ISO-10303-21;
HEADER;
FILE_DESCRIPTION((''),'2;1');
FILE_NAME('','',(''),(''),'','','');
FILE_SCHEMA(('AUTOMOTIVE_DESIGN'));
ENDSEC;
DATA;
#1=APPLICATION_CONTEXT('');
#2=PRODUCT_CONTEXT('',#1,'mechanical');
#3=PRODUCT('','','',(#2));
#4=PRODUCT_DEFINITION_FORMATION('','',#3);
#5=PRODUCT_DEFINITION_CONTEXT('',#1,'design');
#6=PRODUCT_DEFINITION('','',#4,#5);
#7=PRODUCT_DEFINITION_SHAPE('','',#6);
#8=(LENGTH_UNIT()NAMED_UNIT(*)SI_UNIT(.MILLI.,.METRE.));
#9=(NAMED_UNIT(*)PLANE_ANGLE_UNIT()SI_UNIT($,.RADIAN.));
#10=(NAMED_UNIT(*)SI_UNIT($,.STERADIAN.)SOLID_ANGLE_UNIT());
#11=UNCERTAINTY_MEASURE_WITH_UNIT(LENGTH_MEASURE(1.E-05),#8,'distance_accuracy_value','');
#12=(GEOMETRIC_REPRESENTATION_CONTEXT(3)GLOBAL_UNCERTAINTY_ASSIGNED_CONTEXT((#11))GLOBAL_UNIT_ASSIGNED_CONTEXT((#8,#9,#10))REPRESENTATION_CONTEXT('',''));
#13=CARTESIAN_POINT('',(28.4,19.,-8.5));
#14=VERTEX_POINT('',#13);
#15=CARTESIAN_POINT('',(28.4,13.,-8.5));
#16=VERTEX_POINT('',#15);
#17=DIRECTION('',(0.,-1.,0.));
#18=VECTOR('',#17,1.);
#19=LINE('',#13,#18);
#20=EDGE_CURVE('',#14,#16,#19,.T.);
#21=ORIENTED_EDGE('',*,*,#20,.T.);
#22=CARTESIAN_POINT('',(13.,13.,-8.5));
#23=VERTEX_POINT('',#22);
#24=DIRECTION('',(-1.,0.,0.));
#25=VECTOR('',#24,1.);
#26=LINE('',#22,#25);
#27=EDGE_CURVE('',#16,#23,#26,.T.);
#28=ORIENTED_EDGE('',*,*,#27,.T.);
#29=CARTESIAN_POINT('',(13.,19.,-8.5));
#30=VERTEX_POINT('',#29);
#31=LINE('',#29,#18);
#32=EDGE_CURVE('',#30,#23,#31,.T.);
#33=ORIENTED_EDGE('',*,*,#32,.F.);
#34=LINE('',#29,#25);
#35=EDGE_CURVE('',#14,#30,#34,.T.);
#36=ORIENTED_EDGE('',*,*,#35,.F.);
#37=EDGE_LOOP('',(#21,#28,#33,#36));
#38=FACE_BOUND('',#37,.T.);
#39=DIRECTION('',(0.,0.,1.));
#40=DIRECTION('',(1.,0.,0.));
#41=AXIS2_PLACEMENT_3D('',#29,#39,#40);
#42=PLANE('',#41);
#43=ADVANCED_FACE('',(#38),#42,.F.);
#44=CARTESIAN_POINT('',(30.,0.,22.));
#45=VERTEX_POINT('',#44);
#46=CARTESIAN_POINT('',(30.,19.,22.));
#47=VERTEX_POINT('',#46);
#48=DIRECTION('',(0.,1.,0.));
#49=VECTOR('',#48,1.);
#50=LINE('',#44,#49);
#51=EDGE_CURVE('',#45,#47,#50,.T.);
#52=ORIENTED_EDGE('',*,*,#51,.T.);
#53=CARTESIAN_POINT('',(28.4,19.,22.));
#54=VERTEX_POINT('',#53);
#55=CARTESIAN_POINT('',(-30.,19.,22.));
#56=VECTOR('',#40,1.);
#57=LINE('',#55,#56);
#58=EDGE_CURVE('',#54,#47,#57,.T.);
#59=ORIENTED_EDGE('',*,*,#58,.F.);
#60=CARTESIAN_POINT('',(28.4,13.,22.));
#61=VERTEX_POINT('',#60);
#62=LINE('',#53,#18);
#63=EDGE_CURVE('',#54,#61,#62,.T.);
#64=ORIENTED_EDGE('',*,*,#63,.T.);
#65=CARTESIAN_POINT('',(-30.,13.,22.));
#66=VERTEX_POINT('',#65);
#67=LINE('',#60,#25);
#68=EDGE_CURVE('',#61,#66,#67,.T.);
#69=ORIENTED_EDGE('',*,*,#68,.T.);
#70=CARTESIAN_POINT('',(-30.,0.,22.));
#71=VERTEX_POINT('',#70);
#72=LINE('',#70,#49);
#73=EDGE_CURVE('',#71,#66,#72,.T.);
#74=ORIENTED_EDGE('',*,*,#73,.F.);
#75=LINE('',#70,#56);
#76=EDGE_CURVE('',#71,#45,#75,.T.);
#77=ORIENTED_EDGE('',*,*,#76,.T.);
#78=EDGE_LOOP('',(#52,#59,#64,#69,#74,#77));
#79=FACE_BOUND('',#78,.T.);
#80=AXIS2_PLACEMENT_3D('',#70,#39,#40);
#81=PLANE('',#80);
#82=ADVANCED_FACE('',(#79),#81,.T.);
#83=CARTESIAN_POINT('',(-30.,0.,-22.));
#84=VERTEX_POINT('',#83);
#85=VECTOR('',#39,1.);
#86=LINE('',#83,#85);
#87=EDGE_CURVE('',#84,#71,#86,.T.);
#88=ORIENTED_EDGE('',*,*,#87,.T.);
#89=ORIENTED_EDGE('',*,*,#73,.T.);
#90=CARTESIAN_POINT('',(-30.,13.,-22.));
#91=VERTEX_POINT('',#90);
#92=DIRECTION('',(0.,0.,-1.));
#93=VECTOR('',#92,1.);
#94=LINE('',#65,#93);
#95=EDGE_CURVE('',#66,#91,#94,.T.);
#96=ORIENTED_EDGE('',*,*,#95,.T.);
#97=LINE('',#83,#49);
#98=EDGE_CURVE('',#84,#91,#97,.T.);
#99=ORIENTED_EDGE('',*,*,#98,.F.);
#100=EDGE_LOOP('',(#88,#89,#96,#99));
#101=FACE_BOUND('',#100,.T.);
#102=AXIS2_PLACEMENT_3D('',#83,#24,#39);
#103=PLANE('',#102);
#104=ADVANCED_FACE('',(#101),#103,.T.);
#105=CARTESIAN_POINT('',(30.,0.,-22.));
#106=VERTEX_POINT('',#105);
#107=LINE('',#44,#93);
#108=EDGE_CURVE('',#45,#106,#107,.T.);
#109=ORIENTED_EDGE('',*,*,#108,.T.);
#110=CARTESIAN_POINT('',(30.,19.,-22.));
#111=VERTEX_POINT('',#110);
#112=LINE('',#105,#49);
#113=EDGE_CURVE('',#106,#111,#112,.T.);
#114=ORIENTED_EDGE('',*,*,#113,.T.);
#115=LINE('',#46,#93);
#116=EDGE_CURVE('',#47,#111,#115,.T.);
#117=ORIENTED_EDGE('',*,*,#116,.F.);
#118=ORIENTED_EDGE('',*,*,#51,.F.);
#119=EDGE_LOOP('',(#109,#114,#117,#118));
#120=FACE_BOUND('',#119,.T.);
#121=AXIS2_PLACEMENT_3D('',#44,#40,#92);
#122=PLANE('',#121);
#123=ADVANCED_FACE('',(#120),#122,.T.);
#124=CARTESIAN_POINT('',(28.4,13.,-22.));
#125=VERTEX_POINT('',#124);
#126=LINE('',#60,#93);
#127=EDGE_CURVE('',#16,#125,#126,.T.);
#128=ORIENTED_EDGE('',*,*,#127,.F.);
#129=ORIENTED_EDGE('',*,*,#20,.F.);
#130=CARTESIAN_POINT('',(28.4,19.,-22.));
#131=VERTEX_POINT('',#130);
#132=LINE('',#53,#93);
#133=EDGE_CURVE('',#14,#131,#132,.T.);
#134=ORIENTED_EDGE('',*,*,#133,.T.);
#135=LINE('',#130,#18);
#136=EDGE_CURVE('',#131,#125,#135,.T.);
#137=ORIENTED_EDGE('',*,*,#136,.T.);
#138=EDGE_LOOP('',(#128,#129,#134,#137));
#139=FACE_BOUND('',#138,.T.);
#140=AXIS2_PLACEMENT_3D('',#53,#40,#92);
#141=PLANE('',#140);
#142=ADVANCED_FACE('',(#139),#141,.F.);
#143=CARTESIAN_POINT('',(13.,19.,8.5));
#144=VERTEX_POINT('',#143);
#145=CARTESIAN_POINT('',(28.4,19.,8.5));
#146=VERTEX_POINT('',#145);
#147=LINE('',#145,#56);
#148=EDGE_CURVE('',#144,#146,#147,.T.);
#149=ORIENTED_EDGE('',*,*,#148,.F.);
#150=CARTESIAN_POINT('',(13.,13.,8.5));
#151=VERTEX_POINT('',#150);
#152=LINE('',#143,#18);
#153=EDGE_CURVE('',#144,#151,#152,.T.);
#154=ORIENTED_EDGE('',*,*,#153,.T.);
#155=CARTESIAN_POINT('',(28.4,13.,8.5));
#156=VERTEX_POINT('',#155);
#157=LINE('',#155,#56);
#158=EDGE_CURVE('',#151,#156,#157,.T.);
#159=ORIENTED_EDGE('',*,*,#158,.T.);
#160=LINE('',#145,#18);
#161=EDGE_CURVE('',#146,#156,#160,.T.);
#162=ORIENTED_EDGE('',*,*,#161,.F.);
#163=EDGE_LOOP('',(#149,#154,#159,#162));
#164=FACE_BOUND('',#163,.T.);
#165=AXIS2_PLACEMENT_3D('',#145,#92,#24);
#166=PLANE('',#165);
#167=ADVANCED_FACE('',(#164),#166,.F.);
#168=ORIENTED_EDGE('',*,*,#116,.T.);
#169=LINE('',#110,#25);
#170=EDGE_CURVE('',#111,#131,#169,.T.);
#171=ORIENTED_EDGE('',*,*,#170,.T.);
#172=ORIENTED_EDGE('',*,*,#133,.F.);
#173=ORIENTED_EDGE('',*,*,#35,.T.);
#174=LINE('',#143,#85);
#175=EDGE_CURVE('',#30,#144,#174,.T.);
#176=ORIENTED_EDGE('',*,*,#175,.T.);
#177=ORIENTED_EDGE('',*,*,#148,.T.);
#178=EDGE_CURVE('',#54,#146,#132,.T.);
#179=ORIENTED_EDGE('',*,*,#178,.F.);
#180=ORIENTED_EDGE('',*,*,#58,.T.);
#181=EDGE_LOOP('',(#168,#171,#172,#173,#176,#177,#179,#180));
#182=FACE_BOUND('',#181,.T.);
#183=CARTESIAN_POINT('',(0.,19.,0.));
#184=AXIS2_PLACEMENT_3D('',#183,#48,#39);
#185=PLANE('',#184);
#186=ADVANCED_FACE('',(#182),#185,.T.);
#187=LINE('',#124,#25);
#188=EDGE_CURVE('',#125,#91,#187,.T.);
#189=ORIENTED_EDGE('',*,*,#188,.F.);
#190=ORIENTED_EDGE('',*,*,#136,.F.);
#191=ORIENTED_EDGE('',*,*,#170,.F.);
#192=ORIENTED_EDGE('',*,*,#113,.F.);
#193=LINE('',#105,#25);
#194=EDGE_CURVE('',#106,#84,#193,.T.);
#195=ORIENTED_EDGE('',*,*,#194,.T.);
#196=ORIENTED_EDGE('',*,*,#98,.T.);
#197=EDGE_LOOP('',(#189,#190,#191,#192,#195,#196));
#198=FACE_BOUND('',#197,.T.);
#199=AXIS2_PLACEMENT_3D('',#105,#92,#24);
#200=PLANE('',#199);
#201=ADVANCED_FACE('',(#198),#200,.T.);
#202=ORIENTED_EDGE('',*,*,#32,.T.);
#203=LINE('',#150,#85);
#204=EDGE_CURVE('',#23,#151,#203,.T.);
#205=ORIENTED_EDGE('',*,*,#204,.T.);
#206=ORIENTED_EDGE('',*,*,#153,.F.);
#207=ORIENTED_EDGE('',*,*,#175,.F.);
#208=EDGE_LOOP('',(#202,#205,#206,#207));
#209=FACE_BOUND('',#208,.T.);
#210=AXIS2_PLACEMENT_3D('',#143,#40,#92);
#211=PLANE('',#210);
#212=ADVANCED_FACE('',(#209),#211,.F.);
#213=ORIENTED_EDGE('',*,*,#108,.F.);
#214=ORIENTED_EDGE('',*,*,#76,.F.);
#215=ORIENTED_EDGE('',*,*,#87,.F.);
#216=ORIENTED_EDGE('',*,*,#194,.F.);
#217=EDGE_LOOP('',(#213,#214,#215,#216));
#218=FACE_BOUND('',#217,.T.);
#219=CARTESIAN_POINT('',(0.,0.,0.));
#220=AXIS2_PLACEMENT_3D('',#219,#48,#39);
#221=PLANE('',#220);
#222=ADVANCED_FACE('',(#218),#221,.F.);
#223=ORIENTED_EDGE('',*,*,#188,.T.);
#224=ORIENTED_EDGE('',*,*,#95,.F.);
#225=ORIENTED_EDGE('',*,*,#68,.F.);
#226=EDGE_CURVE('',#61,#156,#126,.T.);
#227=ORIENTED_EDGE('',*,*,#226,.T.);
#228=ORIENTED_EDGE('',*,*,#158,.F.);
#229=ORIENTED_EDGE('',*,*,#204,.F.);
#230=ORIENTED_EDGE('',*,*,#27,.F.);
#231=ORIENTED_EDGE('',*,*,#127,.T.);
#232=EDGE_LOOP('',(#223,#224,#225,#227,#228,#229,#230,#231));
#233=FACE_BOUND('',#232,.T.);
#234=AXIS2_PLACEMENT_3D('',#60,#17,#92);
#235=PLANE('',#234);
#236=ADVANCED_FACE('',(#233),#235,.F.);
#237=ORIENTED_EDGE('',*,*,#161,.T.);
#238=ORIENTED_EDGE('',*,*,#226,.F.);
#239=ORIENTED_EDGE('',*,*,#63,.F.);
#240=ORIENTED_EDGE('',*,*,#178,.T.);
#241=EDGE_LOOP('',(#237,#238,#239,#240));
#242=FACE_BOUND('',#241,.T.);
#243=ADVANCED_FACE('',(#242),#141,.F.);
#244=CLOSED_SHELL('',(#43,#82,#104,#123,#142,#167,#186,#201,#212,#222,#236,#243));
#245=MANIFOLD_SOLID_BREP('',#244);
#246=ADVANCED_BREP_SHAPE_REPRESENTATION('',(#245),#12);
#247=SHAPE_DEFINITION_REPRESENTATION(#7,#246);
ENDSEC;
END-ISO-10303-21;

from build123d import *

# Parameters (mm, degrees)
SKETCH_1_W          = 60
SKETCH_1_H          = 44
EXTRUDE_1_DEPTH     = 19
SKETCH_2_W          = 58.4
SKETCH_2_H          = 6
CUT_EXTRUDE_1_DEPTH = 57.542019773
SKETCH_3_W          = 15.4
SKETCH_3_H          = 17
EXTRUDE_2_DEPTH     = 6


with BuildPart() as part:
    # 草图1 → 凸台-拉伸1 (new body)
    with BuildSketch(Plane(origin=(0, 19, 0), x_dir=(1, 0, 0), z_dir=(0, 1, 0))):
        Rectangle(SKETCH_1_W, SKETCH_1_H)
    extrude(amount=-EXTRUDE_1_DEPTH)

    # 草图2 → 切除-拉伸1 (cut, through all)
    with BuildSketch(Plane(origin=(0, 0, -22), x_dir=(-1, 0, 0), z_dir=(0, 0, -1))):
        with Locations((0.8, 16)):
            Rectangle(SKETCH_2_W, SKETCH_2_H)
    extrude(amount=-CUT_EXTRUDE_1_DEPTH, mode=Mode.SUBTRACT)

    # 草图3 → 凸台-拉伸2 (add)
    with BuildSketch(Plane(origin=(0, 13, 0), x_dir=(-1, 0, 0), z_dir=(0, 1, 0))):
        with Locations((-20.7, 0)):
            Rectangle(SKETCH_3_W, SKETCH_3_H)
    extrude(amount=EXTRUDE_2_DEPTH)


solid = part.part
